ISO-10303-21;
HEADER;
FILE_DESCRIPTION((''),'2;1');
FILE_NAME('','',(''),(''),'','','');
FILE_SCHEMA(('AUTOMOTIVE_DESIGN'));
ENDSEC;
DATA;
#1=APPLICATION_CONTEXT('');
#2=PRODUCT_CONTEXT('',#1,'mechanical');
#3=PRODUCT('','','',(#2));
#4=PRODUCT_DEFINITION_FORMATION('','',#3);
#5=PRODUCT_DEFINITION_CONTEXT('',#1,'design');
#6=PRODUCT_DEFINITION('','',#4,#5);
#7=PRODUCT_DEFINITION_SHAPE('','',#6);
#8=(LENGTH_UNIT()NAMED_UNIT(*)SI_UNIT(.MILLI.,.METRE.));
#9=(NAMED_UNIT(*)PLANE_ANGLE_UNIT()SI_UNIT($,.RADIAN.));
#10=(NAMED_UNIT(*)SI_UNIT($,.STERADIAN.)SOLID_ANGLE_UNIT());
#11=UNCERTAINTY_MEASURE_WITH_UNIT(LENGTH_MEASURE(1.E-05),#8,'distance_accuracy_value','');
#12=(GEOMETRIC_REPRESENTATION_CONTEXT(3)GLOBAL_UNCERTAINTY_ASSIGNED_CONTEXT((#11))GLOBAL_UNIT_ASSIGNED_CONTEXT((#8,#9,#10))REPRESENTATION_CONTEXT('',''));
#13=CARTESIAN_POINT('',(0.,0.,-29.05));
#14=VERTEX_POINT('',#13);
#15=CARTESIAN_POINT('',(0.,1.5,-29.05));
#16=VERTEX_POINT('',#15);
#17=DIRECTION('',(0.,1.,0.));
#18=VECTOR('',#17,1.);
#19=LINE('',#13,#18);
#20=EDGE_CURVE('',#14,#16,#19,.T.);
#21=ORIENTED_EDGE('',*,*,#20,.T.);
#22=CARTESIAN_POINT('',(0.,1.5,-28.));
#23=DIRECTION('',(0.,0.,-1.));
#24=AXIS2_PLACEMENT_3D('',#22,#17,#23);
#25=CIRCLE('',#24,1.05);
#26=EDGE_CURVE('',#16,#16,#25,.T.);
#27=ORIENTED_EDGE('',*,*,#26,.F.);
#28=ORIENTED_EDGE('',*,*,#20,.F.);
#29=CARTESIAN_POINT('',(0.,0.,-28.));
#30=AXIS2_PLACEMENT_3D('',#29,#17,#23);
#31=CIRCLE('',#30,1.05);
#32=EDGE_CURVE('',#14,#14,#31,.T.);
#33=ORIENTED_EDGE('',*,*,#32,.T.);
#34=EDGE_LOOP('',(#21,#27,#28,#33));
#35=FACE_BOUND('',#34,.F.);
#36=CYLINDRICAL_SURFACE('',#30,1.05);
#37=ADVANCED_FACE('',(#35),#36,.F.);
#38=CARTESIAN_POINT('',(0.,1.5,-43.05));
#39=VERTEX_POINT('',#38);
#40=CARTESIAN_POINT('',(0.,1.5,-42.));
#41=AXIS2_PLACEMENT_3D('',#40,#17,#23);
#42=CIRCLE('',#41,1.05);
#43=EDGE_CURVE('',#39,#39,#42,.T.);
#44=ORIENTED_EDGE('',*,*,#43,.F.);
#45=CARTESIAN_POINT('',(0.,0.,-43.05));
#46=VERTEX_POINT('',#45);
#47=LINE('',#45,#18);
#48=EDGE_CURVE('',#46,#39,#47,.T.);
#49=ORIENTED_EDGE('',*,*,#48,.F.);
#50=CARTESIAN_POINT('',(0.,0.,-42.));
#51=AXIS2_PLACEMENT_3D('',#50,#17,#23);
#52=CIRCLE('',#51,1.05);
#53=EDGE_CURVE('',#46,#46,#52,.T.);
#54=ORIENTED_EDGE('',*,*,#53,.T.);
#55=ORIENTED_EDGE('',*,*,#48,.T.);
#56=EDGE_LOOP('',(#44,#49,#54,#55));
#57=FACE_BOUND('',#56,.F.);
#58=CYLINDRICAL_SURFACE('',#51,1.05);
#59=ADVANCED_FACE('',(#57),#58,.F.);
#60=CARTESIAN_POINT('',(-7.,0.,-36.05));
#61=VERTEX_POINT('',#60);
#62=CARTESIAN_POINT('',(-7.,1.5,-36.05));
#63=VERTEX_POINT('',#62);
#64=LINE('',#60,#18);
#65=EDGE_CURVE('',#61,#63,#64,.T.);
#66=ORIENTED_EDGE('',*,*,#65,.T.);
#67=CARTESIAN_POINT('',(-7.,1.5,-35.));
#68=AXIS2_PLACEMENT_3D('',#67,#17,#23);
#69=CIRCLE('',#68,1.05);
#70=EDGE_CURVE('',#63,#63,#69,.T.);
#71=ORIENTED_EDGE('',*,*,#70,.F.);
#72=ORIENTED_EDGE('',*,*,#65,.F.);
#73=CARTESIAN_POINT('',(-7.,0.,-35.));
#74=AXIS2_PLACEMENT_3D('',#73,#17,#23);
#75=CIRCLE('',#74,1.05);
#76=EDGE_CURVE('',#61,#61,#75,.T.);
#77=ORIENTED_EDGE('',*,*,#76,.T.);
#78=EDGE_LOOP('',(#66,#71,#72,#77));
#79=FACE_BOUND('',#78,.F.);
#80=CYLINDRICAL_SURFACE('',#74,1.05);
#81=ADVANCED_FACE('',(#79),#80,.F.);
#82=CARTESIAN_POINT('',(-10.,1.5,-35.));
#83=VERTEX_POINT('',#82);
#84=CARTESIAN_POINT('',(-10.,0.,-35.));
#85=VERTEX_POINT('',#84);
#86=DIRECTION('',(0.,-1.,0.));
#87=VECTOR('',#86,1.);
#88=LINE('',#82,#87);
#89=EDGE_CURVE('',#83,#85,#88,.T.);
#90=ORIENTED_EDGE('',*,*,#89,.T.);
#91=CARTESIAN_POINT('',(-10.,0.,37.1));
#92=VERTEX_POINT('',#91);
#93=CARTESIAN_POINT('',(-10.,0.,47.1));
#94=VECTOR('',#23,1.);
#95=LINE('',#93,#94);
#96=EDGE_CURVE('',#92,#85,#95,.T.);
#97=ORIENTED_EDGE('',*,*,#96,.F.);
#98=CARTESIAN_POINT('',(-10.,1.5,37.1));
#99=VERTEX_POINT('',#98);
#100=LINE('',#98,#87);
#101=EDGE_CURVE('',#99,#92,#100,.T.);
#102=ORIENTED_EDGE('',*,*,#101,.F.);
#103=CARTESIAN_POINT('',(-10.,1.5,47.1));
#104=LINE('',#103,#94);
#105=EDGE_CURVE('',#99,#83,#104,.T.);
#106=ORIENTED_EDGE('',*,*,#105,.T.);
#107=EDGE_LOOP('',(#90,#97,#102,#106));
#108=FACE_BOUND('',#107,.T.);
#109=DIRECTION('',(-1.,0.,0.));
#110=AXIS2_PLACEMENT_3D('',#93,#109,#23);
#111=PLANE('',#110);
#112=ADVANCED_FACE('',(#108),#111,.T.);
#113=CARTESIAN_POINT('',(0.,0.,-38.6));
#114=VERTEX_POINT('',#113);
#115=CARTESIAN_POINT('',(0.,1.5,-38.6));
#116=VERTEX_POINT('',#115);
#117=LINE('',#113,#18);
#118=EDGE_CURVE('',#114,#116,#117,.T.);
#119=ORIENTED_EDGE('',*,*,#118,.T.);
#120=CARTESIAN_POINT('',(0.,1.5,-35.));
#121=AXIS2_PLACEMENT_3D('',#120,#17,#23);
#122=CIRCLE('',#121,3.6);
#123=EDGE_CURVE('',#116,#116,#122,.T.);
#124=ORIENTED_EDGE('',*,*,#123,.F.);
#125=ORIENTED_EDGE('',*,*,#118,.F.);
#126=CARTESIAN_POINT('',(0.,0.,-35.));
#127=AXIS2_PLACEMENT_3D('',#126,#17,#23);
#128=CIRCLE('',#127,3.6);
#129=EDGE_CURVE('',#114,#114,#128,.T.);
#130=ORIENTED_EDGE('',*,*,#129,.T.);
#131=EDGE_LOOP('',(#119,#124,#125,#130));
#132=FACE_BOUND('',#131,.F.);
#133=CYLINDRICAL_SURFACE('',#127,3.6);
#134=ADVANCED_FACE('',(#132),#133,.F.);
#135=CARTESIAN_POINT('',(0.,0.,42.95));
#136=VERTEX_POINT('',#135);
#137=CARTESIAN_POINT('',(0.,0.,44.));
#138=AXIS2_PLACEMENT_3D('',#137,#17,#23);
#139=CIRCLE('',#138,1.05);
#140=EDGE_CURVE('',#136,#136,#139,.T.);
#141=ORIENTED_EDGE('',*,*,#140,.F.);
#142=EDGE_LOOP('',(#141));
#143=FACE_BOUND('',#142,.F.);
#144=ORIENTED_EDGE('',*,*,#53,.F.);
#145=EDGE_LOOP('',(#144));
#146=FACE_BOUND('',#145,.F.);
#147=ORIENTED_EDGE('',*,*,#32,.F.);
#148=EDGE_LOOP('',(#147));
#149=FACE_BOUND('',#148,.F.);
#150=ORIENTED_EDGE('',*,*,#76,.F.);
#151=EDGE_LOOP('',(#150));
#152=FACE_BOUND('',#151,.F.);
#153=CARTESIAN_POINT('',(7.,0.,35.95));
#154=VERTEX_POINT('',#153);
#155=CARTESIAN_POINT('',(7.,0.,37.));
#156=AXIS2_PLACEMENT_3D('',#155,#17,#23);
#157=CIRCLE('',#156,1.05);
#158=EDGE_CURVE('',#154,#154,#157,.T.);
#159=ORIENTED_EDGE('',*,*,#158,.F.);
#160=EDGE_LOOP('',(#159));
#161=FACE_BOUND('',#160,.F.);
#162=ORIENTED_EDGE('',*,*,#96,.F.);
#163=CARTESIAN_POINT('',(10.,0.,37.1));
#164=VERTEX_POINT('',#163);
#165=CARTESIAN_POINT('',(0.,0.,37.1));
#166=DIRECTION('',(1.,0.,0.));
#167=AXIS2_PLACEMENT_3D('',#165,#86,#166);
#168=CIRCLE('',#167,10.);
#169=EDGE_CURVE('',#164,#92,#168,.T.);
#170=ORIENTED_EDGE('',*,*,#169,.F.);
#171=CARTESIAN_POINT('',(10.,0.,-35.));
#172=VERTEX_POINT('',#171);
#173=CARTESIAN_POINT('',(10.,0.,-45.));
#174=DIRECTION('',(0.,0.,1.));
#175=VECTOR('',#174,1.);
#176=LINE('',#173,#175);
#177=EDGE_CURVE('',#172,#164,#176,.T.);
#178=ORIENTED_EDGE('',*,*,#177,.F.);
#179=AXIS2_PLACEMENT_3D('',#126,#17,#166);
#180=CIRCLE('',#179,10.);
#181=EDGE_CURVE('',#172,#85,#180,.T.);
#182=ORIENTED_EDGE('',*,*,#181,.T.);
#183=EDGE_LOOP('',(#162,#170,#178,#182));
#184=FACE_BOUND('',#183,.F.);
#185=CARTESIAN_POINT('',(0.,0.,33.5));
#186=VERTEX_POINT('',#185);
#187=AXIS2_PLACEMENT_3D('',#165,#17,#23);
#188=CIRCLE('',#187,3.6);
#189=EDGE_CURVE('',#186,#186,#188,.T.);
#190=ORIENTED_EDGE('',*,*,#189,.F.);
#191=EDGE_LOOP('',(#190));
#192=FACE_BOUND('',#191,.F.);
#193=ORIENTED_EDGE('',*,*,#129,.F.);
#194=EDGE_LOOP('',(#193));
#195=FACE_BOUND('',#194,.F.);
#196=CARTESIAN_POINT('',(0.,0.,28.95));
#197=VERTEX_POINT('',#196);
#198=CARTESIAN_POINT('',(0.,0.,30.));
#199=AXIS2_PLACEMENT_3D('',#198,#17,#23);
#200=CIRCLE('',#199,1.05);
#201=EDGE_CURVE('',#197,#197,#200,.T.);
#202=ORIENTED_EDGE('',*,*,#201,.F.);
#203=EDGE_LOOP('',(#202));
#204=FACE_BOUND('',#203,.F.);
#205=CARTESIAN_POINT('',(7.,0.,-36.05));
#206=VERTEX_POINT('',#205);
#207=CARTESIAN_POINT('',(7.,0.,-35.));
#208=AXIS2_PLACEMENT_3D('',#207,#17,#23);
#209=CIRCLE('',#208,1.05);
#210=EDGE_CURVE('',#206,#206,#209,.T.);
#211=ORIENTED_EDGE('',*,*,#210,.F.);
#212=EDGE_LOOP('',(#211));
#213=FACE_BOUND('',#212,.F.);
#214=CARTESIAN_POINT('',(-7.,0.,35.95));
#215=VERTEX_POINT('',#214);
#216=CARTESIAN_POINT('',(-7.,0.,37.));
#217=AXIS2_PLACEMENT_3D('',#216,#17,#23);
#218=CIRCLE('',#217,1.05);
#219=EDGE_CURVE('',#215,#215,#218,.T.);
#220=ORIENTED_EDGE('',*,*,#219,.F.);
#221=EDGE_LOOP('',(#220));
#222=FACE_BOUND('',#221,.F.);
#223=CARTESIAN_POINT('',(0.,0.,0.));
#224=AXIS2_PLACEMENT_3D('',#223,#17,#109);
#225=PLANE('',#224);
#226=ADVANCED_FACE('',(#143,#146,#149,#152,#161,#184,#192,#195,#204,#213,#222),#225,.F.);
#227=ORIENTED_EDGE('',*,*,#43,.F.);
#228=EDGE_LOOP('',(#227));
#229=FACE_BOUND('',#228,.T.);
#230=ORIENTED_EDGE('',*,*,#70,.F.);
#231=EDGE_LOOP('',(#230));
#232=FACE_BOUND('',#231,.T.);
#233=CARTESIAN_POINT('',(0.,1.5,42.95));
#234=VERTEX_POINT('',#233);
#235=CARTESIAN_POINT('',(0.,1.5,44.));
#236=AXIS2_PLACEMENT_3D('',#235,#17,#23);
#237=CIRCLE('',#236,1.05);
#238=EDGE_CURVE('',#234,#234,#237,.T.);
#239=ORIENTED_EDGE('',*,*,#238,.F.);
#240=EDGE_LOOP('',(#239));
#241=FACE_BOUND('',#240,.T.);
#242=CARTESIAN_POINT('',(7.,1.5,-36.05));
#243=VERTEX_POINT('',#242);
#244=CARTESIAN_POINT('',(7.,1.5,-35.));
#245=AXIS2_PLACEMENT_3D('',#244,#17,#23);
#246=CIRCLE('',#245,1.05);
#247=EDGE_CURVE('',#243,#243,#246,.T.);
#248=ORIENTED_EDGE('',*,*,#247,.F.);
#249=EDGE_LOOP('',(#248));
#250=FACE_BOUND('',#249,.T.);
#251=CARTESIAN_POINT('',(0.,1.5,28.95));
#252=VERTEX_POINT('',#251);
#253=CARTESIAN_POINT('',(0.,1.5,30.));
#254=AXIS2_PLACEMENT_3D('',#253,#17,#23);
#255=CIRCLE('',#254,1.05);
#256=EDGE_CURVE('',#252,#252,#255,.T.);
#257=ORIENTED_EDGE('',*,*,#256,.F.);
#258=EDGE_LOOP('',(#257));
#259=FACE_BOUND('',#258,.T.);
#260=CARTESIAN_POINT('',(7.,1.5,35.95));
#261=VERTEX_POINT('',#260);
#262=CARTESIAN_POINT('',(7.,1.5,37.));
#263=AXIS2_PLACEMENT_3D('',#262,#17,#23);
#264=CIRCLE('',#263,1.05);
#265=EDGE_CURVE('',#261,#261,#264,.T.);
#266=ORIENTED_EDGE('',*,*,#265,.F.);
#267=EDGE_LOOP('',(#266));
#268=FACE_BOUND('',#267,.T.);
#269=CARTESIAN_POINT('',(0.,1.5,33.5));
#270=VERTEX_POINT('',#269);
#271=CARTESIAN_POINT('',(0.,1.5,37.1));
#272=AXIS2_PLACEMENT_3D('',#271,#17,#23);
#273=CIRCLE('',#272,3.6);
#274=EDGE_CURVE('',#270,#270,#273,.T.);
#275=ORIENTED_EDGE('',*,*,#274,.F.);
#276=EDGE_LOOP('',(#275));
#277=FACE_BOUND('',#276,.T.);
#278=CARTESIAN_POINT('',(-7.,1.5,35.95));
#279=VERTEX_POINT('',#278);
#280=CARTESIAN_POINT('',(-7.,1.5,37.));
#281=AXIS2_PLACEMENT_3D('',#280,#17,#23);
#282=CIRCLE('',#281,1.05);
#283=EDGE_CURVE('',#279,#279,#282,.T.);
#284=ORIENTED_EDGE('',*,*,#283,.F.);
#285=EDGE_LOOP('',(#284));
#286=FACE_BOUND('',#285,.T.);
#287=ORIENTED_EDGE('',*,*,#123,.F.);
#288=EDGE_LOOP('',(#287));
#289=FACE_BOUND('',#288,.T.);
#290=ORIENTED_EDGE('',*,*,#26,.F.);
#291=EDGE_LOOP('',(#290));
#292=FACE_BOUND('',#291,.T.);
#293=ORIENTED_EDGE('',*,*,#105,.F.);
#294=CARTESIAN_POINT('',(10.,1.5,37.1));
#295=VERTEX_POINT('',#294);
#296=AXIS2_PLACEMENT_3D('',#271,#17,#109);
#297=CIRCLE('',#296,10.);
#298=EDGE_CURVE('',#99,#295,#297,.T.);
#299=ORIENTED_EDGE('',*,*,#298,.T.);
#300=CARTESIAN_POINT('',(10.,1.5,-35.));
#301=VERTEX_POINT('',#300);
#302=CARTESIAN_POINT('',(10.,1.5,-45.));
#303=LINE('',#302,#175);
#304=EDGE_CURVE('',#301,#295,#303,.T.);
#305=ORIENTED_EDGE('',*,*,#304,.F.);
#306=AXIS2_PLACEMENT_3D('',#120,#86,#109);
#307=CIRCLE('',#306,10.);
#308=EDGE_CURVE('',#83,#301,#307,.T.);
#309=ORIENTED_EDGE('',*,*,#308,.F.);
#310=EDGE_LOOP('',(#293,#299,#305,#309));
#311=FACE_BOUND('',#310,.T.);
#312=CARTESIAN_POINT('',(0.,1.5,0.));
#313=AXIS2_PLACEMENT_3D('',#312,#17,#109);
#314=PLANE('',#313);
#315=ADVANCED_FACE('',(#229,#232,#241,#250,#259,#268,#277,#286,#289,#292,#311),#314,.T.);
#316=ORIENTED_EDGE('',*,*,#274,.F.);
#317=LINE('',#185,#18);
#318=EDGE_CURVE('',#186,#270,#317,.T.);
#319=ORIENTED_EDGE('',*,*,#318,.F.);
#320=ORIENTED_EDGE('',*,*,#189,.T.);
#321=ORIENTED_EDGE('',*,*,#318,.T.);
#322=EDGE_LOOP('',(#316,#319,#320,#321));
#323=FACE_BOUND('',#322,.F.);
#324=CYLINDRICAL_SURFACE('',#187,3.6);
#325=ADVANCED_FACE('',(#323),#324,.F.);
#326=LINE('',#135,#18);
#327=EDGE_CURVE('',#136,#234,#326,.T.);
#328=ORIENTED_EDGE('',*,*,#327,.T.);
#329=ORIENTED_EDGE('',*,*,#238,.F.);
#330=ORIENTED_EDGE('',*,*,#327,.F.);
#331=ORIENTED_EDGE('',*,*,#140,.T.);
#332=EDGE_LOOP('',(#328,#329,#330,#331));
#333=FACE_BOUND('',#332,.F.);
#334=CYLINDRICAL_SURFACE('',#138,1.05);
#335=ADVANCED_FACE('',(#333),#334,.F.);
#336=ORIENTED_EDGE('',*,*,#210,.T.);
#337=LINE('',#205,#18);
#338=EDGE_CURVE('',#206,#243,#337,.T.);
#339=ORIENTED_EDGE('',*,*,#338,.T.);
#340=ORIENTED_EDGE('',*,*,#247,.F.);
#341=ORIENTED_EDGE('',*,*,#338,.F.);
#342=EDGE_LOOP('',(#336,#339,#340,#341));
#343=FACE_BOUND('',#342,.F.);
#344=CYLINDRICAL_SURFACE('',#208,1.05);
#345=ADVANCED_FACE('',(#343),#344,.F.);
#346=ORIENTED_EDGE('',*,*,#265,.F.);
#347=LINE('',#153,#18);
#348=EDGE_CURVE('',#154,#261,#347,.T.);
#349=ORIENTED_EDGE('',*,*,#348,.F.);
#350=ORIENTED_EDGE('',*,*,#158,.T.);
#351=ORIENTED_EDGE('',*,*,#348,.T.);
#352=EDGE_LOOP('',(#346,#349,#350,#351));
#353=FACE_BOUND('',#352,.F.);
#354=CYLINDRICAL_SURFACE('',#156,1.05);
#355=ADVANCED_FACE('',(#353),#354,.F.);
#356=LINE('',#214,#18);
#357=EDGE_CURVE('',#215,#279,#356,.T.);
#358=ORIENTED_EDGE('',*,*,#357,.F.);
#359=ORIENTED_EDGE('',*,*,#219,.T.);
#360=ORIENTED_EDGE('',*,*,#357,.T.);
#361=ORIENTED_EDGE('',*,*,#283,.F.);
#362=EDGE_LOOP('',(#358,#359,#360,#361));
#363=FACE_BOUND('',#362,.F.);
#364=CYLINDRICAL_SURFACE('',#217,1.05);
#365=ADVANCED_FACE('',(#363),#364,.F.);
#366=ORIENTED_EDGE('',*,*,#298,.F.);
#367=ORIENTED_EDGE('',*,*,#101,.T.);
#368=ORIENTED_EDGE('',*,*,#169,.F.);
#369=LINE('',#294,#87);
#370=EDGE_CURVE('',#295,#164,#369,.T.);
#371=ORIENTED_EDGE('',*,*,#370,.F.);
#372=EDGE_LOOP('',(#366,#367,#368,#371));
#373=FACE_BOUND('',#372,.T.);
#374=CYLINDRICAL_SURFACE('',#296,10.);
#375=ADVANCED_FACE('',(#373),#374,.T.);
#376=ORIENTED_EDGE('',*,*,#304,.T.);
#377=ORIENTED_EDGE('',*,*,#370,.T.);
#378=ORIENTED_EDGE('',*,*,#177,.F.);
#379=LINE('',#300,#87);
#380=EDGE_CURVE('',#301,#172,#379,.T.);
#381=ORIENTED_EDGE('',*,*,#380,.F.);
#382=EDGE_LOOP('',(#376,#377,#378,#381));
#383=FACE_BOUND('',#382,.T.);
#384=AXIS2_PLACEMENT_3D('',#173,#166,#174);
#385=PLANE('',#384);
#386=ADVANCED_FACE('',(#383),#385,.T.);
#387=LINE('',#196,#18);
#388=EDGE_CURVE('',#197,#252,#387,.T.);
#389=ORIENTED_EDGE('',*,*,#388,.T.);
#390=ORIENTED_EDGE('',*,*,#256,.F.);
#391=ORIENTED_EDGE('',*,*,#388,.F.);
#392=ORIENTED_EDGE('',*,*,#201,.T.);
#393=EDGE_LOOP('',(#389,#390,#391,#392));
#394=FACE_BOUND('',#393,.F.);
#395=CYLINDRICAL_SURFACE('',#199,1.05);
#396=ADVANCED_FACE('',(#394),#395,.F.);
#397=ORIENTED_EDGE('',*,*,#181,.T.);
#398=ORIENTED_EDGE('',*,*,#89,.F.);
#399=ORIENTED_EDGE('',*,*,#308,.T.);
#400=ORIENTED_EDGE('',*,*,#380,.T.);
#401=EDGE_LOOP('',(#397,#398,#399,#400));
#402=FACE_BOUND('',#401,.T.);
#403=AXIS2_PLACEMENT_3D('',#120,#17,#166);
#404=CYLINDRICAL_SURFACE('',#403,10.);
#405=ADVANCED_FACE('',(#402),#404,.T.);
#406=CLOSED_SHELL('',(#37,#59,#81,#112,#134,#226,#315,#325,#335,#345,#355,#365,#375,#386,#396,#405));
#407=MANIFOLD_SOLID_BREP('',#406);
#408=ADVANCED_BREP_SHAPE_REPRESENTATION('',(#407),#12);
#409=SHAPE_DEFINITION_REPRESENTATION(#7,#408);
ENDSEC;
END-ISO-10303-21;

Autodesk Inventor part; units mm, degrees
ref_plane "YZ Plane" through (0, 0, 0) normal (1, 0, 0) x (0, 1, 0)
ref_plane "XZ Plane" through (0, 0, 0) normal (0, 1, 0) x (-1, 0, 0)
ref_plane "XY Plane" through (0, 0, 0) normal (0, 0, 1) x (1, 0, 0)
sketch "Sketch1" plane through (0, 0, 0) normal (0, 1, 0) x (-1, 0, 0)
  line L0 (10, -45) -> (-10, -45)
  line L1 (-10, -45) -> (-10, 47.1)
  line L2 (-10, 47.1) -> (10, 47.1)
  line L3 (10, 47.1) -> (10, -45)
  point P0 (0, 0)
  dimension "d0" = 20
  dimension "d1" = 92.1
  dimension "d2" = 45
  dimension "d3" = 10
extrude "Plate1" add sketch "Sketch1" along normal blind 1.5
sketch "Sketch2" plane through (0, 0, 0) normal (0, -1, 0) x (1, 0, 0)
  circle A0 centre (0, 42) radius 0.7835 projected
  circle A1 centre (-7, 35) radius 0.7835 projected
  circle A2 centre (0, 28) radius 0.7835 projected
  circle A3 centre (7, 35) radius 0.7835 projected
  circle A4 centre (0, -28) radius 0.7835 projected
  circle A5 centre (-7, -35) radius 0.7835 projected
  circle A6 centre (0, -42) radius 0.7835 projected
  circle A7 centre (7, -35) radius 0.7835 projected
  circle A8 centre (-7, 37) radius 0.7835
  circle A9 centre (0, 30) radius 0.7835
  circle A10 centre (0, 44) radius 0.7835
  circle A11 centre (7, 37) radius 0.7835
  point P0 (0, 0)
hole "Hole1" at (-7, 0, -35) at (7, 0, -35) at (0, 0, -42) at (0, 0, -28) at (7, 0, 37) at (0, 0, 44) at (-7, 0, 37) at (0, 0, 30) direction (0, 1, 0) diameter 2.1 depth 1.5
sketch "Sketch3" plane through (0, 1.5, 0) normal (0, 1, 0) x (1, 0, 0)
  arc A0 (10, 35) -> (-10, 35) centre (0, 35) ccw
  arc A1 (-10, -37.1) -> (10, -37.1) centre (0, -37.1) ccw
  line L0 (-10, 35) -> (-10, -37.1)
  line L1 (10, 35) -> (10, -37.1)
  line L2 (10, 45) -> (10, -47.1) projected
  line L3 (-10, 45) -> (10, 45)
  line L4 (10, 45) -> (10, -47.1)
  line L5 (10, -47.1) -> (-10, -47.1)
  line L6 (-10, -47.1) -> (-10, 45)
  point P0 (0, 0)
  point P1 (0, 45)
  point P2 (10, 45)
  point P3 (10, 35)
  point P4 (-10, -37.1)
  point P5 (0, -47.1)
  point P6 (10, -37.1)
  point P7 (1.4107, 44.9)
  point P8 (10, 35)
  point P9 (10, -37.1)
  dimension "d12" = 35
  dimension "d13" = 37.1
  dimension "d14" = 10
  dimension "d15" = 10
  dimension "d16" = 10
  dimension "d17" = 20
  dimension "d18" = 92.1
extrude "Extrusion1" cut sketch "Sketch3" against normal blind 10 contours A0 L3 L2 | A0 L6 L3 | L2 L5 A1 | L5 L6 A1
sketch "Sketch4" plane through (0, 0, 0) normal (0, -1, 0) x (1, 0, 0)
  arc A0 (-10, -35) -> (10, -35) centre (0, -35) ccw projected
  arc A1 (10, 37.1) -> (-10, 37.1) centre (0, 37.1) ccw projected
  point P0 (0, 0)
hole "Hole2" at (0, 0, 37.1) at (0, 0, -35) direction (0, 1, 0) diameter 7.2 depth 1.5
equation "\"d10\" = Thickness"
equation "\"d26\" = Thickness"
equation "\"d4\" = Thickness"
equation "\"BendReliefWidth\" = Thickness"
equation "\"BendReliefDepth\" = 0.5 * Thickness"
equation "\"CornerReliefSize\" = 4 * Thickness"
equation "\"MinimumRemnant\" = 2 * Thickness"
equation "\"TransitionRadius\" = BendRadius"
equation "\"JacobiRadiusSize\" = BendRadius"
equation "\"GapSize\" = Thickness"
equation "\"Thickness\" = 1.5"
equation "\"BendRadius\" = 0.31"
properties part number "axis_10_11-connector_frame" material "Aluminum 6061-AHC"
